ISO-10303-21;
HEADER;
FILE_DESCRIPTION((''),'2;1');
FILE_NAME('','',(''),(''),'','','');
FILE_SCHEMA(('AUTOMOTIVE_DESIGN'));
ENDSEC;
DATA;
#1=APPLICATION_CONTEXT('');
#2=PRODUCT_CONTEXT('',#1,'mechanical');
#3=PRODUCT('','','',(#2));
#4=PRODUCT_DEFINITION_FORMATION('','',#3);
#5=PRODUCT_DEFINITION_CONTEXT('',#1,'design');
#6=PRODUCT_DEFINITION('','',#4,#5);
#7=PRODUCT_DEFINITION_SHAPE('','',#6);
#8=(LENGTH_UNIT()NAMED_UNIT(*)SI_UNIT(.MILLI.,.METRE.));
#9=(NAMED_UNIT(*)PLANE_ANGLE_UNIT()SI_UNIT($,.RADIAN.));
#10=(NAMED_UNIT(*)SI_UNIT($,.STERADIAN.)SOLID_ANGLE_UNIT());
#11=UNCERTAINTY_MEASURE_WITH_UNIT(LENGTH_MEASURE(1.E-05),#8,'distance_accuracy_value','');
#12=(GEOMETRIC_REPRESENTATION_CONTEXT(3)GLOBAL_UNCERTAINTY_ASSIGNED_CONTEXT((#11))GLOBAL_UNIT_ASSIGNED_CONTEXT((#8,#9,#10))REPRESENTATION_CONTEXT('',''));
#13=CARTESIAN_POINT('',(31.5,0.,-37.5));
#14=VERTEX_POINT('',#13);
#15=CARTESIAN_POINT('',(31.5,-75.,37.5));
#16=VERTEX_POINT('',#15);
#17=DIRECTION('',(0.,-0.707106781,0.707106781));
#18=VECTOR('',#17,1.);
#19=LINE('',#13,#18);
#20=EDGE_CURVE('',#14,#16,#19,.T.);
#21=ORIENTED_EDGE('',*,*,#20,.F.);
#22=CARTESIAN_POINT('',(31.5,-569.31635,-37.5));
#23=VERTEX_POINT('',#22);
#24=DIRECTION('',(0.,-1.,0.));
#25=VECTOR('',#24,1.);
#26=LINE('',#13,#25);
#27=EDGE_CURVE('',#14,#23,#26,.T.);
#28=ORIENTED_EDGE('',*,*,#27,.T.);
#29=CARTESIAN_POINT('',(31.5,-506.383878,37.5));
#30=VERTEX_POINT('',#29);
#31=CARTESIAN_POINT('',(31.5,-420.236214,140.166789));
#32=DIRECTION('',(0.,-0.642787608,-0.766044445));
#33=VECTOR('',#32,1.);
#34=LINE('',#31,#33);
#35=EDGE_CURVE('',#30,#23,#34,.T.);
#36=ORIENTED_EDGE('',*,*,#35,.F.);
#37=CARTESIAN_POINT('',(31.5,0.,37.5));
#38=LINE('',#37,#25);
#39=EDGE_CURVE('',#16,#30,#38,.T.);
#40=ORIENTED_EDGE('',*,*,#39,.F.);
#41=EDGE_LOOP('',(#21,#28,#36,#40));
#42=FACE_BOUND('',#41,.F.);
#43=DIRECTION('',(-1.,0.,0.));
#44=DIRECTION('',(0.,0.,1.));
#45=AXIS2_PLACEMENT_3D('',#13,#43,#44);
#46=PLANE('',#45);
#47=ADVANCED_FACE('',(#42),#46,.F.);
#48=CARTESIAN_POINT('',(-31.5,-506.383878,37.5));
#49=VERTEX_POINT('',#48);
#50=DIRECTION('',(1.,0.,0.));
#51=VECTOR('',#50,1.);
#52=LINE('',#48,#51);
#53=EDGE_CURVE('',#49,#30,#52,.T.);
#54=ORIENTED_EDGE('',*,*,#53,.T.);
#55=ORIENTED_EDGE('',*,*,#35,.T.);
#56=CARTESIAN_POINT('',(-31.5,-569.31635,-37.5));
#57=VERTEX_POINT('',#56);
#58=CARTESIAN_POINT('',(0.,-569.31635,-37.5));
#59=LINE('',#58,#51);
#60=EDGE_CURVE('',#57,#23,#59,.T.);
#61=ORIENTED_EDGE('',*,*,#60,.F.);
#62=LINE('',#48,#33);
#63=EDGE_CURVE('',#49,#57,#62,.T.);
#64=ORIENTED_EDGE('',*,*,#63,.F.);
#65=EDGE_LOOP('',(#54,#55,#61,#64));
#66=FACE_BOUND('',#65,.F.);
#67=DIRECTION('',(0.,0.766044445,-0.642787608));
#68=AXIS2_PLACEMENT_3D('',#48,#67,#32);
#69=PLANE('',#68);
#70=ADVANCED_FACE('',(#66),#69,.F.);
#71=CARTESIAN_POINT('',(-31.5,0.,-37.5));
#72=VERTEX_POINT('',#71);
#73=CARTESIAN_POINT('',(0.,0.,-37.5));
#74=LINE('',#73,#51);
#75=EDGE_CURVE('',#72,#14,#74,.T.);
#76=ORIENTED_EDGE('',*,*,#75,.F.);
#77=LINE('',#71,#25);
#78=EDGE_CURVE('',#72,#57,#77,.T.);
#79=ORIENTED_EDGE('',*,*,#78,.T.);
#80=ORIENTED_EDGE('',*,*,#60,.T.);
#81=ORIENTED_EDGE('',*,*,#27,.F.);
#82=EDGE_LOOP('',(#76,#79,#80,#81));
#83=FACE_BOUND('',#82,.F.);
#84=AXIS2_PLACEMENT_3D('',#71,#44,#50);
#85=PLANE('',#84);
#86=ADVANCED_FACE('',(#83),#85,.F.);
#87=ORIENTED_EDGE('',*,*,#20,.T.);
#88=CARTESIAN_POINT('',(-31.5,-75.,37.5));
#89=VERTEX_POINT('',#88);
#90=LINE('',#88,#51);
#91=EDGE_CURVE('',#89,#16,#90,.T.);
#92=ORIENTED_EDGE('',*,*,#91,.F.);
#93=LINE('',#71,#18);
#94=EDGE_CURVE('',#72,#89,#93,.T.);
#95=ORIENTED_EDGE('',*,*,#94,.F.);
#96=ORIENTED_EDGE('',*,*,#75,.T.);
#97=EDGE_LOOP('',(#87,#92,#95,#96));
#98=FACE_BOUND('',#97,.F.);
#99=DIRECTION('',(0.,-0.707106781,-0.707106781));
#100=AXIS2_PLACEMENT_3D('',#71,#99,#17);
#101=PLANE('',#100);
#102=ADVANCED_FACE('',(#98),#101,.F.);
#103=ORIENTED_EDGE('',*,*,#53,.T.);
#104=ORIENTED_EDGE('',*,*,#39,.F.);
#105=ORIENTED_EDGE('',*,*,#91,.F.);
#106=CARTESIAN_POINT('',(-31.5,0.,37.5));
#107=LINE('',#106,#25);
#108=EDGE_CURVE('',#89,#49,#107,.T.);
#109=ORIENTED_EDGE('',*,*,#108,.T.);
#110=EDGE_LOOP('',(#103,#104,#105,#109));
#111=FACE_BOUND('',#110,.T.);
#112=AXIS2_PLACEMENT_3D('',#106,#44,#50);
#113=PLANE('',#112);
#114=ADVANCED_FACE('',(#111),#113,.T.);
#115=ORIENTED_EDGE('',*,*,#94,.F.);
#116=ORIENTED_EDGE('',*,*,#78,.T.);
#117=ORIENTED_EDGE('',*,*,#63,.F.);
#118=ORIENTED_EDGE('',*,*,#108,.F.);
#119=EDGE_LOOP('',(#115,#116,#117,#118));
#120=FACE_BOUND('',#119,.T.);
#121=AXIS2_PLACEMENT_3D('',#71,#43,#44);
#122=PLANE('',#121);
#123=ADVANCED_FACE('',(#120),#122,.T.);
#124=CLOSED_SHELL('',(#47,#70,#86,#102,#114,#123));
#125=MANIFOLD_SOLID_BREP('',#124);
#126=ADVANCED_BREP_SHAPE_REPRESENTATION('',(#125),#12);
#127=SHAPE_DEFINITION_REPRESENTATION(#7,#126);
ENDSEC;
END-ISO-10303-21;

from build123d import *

# Parameters (mm, degrees)
F0_W     = 63
F0_H     = 75
F1_DEPTH = 569.31635
F3_DEPTH = 63.001


with BuildPart() as f1:
    # F0 (on Front) → F1 (new body)
    with BuildSketch(Plane.XZ):
        Rectangle(F0_W, F0_H)
    extrude(amount=F1_DEPTH)

    # F2 (on face) → F3 (cut, through all)
    with BuildSketch(Plane(origin=(-31.5, 0, 0), x_dir=(0, -1, 0), z_dir=(-1, 0, 0))):
        Polygon((0, 37.5), (0, -37.5), (75, 37.5), align=None)
        Polygon((506.383878, 37.5), (569.31635, -37.5), (569.31635, 37.5), align=None)
    extrude(amount=-F3_DEPTH, mode=Mode.SUBTRACT)


solid = f1.part
